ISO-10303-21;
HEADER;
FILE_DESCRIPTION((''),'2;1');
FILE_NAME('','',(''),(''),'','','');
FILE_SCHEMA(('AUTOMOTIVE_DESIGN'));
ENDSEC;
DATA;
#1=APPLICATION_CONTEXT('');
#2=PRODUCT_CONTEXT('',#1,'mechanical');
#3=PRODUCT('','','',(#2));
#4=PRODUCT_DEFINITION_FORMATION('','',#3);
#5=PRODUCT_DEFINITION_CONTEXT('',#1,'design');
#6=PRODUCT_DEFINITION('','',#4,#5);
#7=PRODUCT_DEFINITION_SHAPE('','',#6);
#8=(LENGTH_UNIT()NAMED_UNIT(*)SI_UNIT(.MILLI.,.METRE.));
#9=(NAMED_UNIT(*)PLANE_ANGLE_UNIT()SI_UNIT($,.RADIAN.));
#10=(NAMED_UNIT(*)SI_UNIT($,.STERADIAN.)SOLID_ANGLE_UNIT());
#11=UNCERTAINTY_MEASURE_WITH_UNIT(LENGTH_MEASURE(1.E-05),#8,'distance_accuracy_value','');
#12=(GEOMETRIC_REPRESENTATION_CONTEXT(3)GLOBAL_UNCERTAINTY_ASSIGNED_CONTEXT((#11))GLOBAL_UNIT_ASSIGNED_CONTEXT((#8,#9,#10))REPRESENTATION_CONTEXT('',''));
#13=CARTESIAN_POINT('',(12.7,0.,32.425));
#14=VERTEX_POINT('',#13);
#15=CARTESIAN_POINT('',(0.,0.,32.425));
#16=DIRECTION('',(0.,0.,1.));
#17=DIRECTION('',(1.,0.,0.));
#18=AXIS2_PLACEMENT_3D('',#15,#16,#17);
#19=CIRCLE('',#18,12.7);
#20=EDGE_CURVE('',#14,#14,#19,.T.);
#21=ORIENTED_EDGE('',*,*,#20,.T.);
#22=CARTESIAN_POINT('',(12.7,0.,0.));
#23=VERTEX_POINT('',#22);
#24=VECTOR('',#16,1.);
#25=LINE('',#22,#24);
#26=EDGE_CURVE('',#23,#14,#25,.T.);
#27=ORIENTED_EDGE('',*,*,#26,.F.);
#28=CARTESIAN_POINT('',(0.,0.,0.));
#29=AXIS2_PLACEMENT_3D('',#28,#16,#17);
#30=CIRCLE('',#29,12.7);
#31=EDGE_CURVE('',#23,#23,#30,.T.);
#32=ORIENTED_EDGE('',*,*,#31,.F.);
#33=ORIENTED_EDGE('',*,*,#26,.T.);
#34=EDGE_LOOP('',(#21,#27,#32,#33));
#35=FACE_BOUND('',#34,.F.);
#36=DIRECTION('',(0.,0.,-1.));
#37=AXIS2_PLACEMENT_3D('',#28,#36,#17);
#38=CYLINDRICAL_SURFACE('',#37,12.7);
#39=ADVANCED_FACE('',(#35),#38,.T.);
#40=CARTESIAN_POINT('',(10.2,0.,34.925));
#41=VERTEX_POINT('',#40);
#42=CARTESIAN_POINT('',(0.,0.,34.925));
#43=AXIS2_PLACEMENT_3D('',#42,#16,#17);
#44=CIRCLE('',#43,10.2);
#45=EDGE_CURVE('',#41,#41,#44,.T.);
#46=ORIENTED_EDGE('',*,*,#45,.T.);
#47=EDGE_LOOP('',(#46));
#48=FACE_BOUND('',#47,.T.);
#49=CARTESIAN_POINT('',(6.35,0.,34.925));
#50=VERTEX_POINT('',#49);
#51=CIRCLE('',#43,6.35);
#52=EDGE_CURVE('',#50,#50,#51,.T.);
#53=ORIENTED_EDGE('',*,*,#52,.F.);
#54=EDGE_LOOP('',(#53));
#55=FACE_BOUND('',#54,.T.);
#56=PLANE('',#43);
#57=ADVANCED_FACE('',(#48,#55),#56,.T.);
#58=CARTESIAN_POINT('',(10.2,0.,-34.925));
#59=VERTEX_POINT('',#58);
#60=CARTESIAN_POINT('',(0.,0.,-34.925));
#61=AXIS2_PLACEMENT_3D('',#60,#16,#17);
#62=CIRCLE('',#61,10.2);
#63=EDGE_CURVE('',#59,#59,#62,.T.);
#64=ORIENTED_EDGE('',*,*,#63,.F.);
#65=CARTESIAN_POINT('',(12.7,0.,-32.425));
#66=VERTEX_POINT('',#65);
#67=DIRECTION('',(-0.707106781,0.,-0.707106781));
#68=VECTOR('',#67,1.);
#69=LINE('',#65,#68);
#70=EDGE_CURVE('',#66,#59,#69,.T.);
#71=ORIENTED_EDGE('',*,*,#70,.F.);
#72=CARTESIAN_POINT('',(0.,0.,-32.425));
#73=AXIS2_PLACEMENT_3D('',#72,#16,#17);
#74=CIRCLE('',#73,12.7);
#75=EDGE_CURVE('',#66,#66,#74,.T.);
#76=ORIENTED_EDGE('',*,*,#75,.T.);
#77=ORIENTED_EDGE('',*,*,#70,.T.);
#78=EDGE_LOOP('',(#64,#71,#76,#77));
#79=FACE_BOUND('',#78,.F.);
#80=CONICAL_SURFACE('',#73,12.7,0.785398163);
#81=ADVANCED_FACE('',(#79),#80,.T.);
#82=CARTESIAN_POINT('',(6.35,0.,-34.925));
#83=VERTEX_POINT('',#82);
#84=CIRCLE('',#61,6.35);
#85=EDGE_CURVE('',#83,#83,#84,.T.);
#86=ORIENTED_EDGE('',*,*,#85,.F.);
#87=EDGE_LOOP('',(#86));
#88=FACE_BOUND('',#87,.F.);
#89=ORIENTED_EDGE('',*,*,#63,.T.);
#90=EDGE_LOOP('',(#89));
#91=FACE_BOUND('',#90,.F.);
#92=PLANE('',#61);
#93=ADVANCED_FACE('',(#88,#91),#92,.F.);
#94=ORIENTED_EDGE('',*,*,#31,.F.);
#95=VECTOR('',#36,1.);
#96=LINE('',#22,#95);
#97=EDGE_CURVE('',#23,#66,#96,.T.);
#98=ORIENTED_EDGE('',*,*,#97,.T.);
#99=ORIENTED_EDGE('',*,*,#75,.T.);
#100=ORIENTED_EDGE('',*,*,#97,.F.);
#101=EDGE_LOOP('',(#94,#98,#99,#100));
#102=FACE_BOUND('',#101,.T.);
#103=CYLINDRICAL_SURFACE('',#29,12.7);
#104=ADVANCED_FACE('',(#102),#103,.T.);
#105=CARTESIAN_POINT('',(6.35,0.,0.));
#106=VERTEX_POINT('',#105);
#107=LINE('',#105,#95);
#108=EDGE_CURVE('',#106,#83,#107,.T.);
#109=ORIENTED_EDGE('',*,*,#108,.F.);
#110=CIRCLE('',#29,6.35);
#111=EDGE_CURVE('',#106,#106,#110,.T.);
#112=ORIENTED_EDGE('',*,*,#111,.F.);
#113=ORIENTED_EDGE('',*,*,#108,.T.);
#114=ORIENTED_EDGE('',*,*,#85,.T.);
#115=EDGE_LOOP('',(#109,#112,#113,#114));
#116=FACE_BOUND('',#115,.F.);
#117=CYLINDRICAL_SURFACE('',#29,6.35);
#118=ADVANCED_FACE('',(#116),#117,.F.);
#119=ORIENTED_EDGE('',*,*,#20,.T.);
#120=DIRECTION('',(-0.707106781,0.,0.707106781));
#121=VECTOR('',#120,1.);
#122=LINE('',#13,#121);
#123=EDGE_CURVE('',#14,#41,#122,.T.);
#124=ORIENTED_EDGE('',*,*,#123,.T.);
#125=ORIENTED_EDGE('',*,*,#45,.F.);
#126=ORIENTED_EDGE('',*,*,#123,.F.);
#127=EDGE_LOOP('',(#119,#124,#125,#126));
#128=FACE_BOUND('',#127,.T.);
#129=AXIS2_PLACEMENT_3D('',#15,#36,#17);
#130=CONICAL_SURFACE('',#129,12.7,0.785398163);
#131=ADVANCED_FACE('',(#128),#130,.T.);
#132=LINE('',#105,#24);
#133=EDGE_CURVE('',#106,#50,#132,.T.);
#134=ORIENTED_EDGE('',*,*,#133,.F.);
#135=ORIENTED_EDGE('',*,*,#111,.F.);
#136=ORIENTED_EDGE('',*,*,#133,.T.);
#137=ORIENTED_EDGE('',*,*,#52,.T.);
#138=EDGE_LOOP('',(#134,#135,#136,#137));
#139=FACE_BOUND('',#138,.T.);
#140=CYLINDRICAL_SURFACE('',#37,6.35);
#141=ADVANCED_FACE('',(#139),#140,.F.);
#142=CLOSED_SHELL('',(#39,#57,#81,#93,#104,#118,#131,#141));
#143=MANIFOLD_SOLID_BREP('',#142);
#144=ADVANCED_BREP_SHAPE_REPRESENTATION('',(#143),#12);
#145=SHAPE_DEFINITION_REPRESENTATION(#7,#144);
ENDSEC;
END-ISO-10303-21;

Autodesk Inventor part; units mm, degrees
ref_plane "YZ Plane" through (0, 0, 0) normal (1, 0, 0) x (0, 1, 0)
ref_plane "XZ Plane" through (0, 0, 0) normal (0, 1, 0) x (-1, 0, 0)
ref_plane "XY Plane" through (0, 0, 0) normal (0, 0, 1) x (1, 0, 0)
sketch "Sketch1" plane through (0, 0, 0) normal (0, 0, 1) x (1, 0, 0)
  circle A0 centre (0, 0) radius 6.35
  circle A1 centre (0, 0) radius 12.7
  dimension "d0" = 12.7
  dimension "d1" = 25.4
extrude "Extrusion1" add sketch "Sketch1" along normal mid plane 69.85
chamfer "Chamfer1" distance 2.5 angle 45 1 edges at (-12.7, 0, -34.925) measured on face at (10.3988, -1.5197, -34.925)
chamfer "Chamfer2" distance 2.5 angle 45 1 edges at (-12.7, 0, 34.925) measured on face at (10.3988, -1.5197, 34.925)
properties part number "Piston pin"
